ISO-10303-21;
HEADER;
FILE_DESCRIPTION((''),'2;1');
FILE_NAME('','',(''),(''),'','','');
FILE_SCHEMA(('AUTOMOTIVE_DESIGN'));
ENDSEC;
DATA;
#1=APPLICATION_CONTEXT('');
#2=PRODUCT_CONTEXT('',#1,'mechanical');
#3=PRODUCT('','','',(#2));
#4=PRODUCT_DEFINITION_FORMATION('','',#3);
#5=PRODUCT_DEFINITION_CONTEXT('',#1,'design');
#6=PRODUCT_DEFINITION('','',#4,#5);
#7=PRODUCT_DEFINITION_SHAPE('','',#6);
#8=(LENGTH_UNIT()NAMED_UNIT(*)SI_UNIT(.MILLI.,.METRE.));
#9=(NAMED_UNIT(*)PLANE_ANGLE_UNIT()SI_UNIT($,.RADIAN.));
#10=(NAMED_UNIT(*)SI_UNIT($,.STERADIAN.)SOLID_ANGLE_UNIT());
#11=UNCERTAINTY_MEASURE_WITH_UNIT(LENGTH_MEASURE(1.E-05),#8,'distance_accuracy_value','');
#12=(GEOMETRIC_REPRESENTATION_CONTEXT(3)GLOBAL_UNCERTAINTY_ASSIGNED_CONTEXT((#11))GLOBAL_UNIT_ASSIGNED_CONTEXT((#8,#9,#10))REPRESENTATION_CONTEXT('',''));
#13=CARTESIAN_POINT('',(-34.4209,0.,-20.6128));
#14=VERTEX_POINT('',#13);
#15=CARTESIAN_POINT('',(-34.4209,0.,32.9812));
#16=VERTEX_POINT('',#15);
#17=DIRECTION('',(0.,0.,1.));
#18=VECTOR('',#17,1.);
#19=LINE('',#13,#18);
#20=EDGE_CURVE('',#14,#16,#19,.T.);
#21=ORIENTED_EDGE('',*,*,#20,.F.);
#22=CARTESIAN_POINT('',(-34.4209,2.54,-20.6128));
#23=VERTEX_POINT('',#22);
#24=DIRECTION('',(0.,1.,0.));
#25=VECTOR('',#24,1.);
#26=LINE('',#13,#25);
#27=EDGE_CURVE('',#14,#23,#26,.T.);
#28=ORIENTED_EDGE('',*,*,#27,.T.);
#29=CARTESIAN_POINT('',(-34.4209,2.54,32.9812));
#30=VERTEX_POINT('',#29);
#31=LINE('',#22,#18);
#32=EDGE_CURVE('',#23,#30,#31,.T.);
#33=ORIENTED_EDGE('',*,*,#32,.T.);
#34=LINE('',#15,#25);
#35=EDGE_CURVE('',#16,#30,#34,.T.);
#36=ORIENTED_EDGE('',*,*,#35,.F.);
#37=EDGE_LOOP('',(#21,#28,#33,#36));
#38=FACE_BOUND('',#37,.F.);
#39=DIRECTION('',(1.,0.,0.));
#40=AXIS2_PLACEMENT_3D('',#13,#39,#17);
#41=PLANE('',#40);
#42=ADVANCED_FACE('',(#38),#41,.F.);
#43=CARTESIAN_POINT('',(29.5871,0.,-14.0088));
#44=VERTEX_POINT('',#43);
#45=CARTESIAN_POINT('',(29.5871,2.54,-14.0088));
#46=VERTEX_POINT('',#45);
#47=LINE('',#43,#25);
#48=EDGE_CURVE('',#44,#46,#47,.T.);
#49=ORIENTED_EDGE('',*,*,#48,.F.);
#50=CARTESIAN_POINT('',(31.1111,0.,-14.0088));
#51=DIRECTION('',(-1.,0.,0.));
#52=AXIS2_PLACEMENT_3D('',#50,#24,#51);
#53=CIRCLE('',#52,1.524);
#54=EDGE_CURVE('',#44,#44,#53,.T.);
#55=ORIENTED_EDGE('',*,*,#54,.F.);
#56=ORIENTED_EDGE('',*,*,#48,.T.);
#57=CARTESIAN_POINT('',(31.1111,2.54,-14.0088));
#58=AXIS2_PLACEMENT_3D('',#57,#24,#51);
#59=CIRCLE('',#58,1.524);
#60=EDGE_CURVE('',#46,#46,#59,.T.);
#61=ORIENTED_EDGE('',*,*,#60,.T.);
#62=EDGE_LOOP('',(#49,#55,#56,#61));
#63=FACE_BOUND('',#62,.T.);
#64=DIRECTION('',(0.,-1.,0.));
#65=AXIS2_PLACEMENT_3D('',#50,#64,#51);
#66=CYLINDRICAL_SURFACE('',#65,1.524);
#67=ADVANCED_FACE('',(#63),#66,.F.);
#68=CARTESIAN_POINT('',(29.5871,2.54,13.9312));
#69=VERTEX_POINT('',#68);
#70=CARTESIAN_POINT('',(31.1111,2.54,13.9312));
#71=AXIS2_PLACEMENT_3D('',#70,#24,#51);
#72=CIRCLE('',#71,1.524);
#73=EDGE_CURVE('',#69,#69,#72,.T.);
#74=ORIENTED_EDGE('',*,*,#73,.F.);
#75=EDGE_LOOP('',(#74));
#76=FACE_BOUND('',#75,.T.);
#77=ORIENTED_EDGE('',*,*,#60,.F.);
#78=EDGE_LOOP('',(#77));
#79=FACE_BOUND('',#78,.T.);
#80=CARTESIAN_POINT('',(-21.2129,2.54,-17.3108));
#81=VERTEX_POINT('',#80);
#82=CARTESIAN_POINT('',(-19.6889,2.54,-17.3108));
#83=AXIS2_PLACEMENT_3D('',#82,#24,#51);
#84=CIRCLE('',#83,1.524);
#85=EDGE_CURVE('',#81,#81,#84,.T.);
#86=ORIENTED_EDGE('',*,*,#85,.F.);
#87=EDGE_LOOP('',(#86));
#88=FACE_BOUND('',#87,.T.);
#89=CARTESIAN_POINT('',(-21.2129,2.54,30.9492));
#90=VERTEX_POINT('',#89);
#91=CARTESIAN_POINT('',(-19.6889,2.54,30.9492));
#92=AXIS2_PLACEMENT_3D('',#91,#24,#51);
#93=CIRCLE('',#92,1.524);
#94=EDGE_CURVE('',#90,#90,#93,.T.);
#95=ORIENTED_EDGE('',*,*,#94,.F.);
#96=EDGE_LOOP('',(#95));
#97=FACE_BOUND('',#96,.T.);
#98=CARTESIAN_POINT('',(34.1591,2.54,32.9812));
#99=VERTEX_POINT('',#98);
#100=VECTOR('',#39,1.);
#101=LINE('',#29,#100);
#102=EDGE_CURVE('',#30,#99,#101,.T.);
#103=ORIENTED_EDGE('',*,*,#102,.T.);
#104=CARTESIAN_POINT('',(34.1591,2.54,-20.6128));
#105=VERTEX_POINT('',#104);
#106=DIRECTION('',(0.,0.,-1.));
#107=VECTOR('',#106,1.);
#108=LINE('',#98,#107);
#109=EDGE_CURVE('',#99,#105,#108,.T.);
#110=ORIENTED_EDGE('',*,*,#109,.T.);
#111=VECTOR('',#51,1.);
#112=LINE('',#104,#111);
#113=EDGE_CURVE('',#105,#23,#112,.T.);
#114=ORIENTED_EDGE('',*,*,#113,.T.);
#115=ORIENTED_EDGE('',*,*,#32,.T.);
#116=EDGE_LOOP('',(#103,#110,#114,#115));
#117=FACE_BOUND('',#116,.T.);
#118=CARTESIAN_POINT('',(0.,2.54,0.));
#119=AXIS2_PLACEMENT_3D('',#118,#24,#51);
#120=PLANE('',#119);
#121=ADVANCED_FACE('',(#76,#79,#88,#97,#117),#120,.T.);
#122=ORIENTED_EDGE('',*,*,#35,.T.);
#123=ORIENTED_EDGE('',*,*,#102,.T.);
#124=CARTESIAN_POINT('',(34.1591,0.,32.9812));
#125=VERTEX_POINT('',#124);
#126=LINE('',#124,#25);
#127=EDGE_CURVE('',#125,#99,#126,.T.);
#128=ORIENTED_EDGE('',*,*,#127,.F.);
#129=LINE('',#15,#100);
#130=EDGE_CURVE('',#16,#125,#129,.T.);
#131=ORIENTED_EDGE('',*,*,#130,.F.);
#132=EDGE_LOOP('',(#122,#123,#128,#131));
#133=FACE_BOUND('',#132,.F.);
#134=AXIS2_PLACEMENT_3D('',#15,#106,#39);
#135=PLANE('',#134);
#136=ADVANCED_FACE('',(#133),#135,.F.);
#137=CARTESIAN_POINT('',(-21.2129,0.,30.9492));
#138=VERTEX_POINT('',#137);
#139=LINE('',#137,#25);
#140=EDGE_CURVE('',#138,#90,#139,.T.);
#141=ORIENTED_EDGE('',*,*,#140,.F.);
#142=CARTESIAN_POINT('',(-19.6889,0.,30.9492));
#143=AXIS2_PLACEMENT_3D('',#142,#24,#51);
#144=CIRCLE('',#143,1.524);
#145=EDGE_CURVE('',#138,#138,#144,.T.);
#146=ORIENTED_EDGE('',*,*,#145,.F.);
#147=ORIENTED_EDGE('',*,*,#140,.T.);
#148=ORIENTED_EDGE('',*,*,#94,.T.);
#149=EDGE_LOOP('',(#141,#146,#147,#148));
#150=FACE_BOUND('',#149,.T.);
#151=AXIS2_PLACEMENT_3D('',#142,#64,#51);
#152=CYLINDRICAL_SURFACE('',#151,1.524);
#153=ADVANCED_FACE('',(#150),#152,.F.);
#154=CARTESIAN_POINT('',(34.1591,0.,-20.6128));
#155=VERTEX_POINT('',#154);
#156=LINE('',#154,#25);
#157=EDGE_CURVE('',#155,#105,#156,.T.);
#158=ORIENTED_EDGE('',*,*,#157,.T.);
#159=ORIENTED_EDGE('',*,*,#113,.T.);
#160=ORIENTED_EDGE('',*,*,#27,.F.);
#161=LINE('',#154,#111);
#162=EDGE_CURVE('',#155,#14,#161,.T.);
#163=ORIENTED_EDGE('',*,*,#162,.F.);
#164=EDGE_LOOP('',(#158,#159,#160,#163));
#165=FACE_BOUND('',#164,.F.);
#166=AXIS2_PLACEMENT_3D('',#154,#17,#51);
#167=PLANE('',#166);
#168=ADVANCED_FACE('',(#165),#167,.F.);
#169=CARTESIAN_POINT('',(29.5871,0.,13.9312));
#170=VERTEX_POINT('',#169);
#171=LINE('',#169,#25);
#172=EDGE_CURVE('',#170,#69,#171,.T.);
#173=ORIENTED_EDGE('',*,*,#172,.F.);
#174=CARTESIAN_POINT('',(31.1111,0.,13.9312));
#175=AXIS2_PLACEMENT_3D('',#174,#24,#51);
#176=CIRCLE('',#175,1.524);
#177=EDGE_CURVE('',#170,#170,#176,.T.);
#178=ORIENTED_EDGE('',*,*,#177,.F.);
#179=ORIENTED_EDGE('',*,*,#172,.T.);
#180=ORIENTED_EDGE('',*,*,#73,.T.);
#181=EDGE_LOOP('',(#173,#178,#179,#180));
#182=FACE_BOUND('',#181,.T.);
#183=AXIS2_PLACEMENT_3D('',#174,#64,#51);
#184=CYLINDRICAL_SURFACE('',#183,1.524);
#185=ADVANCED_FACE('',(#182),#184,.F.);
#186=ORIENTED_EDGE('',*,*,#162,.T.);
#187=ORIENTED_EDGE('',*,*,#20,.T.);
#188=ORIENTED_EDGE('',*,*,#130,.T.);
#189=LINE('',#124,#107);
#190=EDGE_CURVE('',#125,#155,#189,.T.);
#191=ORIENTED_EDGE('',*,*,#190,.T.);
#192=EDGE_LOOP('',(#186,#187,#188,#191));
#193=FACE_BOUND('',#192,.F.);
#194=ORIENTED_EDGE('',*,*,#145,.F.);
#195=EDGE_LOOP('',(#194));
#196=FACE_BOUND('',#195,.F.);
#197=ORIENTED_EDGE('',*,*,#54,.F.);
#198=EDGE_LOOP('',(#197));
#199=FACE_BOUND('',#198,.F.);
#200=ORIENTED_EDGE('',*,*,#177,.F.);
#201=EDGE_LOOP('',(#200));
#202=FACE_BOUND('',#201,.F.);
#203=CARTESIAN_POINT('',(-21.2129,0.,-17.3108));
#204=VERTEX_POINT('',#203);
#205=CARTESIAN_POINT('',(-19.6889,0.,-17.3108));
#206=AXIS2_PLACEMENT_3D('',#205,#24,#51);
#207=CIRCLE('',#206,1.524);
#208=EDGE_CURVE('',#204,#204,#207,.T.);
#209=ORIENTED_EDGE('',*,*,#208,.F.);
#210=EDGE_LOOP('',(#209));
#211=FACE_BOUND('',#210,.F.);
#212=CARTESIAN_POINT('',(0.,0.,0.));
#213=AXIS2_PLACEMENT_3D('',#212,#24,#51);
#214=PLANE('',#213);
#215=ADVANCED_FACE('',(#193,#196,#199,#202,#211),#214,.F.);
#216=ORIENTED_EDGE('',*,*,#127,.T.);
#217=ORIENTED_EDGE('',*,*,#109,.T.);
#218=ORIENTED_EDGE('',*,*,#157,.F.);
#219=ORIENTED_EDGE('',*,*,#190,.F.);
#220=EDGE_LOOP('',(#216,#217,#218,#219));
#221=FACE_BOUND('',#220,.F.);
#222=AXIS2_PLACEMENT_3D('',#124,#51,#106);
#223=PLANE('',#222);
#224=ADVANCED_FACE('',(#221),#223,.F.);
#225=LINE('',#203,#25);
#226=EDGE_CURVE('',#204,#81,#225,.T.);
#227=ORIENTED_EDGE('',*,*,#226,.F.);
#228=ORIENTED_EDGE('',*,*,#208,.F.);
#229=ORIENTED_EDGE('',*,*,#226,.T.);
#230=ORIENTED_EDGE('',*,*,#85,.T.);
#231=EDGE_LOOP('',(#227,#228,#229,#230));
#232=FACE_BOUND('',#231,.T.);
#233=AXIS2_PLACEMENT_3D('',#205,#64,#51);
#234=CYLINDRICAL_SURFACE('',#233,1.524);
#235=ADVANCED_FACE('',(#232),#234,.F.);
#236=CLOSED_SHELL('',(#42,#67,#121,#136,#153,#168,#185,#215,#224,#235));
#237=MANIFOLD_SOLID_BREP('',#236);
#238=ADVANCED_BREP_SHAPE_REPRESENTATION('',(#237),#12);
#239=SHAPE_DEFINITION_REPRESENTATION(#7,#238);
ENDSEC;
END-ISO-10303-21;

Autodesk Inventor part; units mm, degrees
ref_plane "YZ Plane" through (0, 0, 0) normal (1, 0, 0) x (0, 1, 0)
ref_plane "XZ Plane" through (0, 0, 0) normal (0, 1, 0) x (-1, 0, 0)
ref_plane "XY Plane" through (0, 0, 0) normal (0, 0, 1) x (1, 0, 0)
sketch "Sketch1" plane through (0, 0, 0) normal (0, 1, 0) x (-1, 0, 0)
  line L0 (34.4209, 32.9812) -> (-34.1591, 32.9812)
  line L1 (-34.1591, 32.9812) -> (-34.1591, -20.6128)
  line L2 (-34.1591, -20.6128) -> (34.4209, -20.6128)
  line L3 (34.4209, -20.6128) -> (34.4209, 32.9812)
  circle A0 centre (19.6889, 30.9492) radius 1.524
  circle A1 centre (19.6889, -17.3108) radius 1.524
  circle A2 centre (-31.1111, -14.0088) radius 1.524
  circle A3 centre (-31.1111, 13.9312) radius 1.524
  point P0 (0, 0)
  dimension "d0" = 68.58
  dimension "d1" = 53.594
  dimension "d2" = 14.732
  dimension "d3" = 2.032
  dimension "d4" = 3.048
  dimension "d5" = 48.26
  dimension "d6" = 6.604
  dimension "d7" = 3.048
  dimension "d8" = 27.94
extrude "Extrusion1" add sketch "Sketch1" along normal blind 2.54
properties part number "arduino uno model"
